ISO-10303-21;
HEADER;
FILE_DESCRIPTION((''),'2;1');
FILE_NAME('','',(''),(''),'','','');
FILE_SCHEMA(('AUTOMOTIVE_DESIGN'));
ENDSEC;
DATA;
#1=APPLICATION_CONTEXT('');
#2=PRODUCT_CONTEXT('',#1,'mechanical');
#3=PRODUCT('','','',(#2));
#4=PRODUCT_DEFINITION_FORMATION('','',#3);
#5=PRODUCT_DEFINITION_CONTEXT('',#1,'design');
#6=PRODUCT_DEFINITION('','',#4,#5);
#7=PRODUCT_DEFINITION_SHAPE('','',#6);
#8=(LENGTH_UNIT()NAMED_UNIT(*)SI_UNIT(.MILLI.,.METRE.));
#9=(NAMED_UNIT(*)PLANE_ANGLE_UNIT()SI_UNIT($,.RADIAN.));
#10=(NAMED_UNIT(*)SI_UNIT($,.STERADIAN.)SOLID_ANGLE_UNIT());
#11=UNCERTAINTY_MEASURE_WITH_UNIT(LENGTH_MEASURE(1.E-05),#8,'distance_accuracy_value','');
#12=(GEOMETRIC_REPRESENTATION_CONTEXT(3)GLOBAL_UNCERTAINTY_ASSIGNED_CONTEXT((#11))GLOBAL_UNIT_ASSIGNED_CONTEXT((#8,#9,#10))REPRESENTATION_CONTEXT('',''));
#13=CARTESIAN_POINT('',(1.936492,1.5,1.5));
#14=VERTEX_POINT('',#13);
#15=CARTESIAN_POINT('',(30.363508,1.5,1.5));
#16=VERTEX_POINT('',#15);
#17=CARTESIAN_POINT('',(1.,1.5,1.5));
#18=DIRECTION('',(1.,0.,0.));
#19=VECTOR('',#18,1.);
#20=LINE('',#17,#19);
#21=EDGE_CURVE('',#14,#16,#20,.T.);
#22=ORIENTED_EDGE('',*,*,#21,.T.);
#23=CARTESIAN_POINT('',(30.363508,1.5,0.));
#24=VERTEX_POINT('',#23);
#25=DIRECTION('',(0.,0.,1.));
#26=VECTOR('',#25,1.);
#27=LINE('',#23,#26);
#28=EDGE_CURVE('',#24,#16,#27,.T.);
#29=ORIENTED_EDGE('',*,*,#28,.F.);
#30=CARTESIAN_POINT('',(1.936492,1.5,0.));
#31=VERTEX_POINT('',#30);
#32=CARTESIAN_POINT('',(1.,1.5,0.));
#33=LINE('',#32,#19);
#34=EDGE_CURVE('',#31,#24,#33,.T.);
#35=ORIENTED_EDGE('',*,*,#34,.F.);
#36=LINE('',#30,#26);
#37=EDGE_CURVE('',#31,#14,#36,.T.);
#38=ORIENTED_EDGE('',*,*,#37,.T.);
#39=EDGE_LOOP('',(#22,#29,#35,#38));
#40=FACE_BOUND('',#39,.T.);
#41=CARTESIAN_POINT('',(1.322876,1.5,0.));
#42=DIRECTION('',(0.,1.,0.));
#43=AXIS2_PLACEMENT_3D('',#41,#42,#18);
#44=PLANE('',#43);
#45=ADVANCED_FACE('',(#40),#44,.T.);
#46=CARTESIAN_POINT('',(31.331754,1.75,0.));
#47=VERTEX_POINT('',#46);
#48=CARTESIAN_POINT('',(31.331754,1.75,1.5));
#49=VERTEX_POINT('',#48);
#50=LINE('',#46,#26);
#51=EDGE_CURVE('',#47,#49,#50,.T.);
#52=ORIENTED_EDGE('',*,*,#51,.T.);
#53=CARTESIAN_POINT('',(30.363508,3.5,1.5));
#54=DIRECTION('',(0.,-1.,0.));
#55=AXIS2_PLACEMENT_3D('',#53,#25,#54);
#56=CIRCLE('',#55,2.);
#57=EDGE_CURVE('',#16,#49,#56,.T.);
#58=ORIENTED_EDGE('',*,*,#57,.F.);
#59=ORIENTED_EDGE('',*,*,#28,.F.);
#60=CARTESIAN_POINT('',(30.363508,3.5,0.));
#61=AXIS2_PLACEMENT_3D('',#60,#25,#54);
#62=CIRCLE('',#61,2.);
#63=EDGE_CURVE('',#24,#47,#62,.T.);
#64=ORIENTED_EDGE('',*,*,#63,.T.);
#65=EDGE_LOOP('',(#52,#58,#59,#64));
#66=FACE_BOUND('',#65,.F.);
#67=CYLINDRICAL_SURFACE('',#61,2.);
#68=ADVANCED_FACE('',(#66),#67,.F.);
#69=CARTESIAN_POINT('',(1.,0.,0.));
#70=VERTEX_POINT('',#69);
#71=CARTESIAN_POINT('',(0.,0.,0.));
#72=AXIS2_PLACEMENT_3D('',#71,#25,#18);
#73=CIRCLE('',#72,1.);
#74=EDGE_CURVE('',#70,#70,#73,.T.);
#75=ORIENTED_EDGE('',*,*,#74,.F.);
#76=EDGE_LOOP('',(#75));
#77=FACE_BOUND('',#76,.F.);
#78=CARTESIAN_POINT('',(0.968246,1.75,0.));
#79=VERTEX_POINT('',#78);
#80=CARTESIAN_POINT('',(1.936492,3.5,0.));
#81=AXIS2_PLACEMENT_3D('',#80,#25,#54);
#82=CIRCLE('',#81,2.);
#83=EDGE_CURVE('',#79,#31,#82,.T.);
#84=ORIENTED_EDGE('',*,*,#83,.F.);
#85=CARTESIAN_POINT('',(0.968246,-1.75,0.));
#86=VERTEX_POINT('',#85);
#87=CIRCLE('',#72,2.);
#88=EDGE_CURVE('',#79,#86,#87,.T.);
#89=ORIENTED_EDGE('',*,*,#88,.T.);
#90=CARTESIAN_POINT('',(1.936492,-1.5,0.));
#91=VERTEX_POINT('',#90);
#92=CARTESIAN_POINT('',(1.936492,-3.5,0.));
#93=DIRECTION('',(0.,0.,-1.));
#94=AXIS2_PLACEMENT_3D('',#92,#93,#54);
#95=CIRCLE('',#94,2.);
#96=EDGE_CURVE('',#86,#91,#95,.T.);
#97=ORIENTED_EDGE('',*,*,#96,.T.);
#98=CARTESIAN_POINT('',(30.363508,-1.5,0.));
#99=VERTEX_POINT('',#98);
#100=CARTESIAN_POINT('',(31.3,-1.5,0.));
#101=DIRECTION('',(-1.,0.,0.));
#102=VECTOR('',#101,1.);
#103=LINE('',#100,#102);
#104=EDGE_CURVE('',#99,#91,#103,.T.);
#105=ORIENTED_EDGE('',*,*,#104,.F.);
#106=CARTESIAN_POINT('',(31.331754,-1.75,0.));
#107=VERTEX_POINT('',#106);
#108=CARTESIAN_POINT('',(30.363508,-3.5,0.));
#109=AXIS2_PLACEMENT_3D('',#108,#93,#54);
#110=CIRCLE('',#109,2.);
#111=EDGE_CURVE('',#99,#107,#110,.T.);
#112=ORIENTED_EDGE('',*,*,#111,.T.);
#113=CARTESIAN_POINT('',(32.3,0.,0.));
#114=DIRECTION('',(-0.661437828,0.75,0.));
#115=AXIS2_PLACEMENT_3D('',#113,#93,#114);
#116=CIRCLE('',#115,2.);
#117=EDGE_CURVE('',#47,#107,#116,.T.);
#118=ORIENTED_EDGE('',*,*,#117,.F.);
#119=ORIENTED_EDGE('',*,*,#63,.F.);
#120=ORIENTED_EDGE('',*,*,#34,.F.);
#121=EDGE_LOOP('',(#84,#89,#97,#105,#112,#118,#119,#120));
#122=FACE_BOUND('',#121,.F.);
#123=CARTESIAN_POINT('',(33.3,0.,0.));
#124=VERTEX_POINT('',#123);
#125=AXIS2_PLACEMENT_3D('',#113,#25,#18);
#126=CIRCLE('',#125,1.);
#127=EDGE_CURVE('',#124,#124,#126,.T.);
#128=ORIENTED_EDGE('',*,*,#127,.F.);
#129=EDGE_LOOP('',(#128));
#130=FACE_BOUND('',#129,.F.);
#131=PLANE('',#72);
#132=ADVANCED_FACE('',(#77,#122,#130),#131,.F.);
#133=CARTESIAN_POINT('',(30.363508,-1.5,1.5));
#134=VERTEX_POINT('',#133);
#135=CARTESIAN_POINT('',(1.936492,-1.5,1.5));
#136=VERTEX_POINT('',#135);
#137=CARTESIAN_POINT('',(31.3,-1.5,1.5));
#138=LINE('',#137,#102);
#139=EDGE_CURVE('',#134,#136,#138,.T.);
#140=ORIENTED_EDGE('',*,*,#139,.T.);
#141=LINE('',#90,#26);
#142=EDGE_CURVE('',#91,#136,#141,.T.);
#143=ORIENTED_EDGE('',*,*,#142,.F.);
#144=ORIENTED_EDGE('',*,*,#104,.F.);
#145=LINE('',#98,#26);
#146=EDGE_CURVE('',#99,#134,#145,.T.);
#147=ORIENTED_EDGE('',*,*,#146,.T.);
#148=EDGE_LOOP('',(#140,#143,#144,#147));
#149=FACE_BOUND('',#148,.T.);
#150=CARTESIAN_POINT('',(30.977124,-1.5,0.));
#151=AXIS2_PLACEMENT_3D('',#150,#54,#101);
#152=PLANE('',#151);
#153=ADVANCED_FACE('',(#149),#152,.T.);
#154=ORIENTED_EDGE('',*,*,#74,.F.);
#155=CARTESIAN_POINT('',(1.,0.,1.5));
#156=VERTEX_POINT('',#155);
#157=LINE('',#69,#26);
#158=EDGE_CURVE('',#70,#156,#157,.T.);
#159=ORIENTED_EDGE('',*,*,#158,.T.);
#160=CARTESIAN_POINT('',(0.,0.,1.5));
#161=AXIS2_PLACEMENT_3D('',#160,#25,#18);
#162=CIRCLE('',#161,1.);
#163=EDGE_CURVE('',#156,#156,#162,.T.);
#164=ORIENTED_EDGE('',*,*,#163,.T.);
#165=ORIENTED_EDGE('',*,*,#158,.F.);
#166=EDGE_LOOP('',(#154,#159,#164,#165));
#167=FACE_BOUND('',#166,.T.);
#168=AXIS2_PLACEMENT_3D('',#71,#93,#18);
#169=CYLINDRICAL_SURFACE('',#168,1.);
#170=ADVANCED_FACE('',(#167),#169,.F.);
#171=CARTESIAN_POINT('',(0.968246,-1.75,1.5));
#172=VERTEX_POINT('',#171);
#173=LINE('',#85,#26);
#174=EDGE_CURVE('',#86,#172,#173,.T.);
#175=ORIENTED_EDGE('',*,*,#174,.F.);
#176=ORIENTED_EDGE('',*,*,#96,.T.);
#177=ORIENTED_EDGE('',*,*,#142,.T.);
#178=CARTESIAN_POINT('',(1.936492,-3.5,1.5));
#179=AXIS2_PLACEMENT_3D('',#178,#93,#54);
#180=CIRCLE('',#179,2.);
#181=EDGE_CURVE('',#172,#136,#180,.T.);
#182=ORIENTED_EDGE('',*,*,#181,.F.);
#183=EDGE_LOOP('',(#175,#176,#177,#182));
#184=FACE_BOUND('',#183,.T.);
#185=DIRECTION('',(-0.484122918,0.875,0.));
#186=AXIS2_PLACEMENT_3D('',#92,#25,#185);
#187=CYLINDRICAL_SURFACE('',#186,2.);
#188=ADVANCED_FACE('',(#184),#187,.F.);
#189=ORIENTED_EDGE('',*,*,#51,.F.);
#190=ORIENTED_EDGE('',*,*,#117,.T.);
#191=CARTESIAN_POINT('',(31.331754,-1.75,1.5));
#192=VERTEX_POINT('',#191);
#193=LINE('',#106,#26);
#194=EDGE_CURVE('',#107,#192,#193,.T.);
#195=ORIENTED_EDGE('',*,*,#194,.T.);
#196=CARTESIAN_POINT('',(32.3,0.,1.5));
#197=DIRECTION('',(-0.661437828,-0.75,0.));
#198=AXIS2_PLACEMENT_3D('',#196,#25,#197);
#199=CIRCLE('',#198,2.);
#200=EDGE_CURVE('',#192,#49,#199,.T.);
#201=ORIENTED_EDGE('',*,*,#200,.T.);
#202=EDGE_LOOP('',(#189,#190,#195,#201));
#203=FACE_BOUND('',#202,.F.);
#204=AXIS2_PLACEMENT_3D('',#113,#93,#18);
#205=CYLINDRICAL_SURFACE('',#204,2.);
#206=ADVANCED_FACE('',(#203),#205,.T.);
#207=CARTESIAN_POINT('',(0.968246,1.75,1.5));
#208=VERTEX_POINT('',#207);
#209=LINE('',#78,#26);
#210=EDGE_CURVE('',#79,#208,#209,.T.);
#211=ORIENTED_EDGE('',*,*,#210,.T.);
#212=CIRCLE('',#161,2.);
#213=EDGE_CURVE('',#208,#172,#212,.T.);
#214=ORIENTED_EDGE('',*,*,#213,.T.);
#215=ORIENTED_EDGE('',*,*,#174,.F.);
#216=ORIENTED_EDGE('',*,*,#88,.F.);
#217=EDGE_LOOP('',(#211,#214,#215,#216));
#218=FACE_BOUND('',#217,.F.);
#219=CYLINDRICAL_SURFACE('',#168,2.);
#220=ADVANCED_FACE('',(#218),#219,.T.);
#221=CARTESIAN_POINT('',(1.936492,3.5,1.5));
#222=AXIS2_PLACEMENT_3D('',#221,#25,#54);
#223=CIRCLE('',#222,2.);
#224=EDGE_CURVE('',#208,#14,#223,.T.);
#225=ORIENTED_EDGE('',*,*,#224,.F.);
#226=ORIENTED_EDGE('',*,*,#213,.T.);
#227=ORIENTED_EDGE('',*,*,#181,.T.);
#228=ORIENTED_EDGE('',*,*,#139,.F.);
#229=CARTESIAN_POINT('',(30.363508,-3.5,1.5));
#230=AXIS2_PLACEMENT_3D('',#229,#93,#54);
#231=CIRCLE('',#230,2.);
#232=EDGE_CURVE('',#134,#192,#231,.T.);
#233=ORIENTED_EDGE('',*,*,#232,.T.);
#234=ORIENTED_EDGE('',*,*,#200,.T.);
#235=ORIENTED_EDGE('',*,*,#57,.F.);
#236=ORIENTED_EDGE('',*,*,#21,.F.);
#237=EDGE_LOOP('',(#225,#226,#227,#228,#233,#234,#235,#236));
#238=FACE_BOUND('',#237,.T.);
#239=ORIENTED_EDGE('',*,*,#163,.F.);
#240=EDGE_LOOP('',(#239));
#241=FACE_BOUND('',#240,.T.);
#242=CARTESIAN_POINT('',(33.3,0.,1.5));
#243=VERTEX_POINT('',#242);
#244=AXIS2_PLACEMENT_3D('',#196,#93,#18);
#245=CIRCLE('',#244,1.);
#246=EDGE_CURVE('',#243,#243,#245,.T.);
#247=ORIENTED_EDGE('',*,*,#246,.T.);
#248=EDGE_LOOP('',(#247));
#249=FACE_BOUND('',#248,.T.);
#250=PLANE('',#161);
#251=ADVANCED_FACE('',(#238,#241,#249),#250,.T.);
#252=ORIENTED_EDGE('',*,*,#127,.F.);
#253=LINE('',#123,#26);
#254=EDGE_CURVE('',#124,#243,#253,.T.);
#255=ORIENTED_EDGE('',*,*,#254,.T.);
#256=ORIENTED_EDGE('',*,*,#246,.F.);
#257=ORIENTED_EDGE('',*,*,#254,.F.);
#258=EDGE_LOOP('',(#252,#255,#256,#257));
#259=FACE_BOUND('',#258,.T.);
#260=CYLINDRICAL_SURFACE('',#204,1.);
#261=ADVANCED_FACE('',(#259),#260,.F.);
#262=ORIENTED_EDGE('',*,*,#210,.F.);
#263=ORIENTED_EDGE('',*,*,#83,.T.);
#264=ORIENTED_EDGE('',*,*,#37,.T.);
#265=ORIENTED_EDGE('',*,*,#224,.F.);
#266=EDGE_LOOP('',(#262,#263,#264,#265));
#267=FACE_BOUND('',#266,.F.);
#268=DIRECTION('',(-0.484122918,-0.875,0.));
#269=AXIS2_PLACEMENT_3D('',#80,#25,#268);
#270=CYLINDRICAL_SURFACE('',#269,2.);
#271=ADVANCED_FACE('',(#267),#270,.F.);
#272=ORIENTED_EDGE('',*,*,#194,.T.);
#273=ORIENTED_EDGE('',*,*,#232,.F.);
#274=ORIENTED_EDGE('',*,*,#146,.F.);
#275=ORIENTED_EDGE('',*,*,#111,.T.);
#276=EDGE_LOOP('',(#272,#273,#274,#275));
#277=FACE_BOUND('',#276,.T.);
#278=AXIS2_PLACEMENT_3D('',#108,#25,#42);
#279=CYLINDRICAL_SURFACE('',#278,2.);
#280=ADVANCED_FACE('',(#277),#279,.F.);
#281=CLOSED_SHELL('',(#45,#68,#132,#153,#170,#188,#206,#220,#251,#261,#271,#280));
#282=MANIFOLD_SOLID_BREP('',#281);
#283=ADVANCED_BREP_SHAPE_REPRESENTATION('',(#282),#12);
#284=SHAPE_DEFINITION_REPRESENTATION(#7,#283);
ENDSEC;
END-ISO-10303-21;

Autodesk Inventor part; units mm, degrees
ref_plane "YZ Plane" through (0, 0, 0) normal (1, 0, 0) x (0, 1, 0)
ref_plane "XZ Plane" through (0, 0, 0) normal (0, 1, 0) x (-1, 0, 0)
ref_plane "XY Plane" through (0, 0, 0) normal (0, 0, 1) x (1, 0, 0)
sketch "Sketch1" plane through (0, 0, 0) normal (0, 0, 1) x (1, 0, 0)
  circle A0 centre (0, 0) radius 1
  circle A1 centre (0, 0) radius 2
  line L0 (0, 0) -> (32.3, 0) construction
  circle A2 centre (32.3, 0) radius 2
  circle A3 centre (32.3, 0) radius 1
  line L1 (1, 1.5) -> (31.3, 1.5)
  line L2 (31.3, 1.5) -> (31.3, -1.5)
  line L3 (31.3, -1.5) -> (1, -1.5)
  line L4 (1, -1.5) -> (1, 1.5)
  line L5 (1, 1.5) -> (31.3, -1.5) construction
  line L6 (31.3, 1.5) -> (1, -1.5) construction
  point P0 (16.15, 0)
  point P1 (1.3229, -1.5)
  point P2 (30.9771, -1.5)
  point P3 (30.9771, 1.5)
  point P4 (1.3229, 1.5)
  dimension "d0" = 2
  dimension "d1" = 4
  dimension "d8" = 3
  dimension "d9" = 32.3
extrude "Extrusion1" add sketch "Sketch1" along normal blind 1.5
fillet "Fillet2" radius 2 4 edges at (1.3229, 1.5, 0.75) (30.9771, 1.5, 0.75) (30.9771, -1.5, 0.75) (1.3229, -1.5, 0.75)
properties part number "ff2"
